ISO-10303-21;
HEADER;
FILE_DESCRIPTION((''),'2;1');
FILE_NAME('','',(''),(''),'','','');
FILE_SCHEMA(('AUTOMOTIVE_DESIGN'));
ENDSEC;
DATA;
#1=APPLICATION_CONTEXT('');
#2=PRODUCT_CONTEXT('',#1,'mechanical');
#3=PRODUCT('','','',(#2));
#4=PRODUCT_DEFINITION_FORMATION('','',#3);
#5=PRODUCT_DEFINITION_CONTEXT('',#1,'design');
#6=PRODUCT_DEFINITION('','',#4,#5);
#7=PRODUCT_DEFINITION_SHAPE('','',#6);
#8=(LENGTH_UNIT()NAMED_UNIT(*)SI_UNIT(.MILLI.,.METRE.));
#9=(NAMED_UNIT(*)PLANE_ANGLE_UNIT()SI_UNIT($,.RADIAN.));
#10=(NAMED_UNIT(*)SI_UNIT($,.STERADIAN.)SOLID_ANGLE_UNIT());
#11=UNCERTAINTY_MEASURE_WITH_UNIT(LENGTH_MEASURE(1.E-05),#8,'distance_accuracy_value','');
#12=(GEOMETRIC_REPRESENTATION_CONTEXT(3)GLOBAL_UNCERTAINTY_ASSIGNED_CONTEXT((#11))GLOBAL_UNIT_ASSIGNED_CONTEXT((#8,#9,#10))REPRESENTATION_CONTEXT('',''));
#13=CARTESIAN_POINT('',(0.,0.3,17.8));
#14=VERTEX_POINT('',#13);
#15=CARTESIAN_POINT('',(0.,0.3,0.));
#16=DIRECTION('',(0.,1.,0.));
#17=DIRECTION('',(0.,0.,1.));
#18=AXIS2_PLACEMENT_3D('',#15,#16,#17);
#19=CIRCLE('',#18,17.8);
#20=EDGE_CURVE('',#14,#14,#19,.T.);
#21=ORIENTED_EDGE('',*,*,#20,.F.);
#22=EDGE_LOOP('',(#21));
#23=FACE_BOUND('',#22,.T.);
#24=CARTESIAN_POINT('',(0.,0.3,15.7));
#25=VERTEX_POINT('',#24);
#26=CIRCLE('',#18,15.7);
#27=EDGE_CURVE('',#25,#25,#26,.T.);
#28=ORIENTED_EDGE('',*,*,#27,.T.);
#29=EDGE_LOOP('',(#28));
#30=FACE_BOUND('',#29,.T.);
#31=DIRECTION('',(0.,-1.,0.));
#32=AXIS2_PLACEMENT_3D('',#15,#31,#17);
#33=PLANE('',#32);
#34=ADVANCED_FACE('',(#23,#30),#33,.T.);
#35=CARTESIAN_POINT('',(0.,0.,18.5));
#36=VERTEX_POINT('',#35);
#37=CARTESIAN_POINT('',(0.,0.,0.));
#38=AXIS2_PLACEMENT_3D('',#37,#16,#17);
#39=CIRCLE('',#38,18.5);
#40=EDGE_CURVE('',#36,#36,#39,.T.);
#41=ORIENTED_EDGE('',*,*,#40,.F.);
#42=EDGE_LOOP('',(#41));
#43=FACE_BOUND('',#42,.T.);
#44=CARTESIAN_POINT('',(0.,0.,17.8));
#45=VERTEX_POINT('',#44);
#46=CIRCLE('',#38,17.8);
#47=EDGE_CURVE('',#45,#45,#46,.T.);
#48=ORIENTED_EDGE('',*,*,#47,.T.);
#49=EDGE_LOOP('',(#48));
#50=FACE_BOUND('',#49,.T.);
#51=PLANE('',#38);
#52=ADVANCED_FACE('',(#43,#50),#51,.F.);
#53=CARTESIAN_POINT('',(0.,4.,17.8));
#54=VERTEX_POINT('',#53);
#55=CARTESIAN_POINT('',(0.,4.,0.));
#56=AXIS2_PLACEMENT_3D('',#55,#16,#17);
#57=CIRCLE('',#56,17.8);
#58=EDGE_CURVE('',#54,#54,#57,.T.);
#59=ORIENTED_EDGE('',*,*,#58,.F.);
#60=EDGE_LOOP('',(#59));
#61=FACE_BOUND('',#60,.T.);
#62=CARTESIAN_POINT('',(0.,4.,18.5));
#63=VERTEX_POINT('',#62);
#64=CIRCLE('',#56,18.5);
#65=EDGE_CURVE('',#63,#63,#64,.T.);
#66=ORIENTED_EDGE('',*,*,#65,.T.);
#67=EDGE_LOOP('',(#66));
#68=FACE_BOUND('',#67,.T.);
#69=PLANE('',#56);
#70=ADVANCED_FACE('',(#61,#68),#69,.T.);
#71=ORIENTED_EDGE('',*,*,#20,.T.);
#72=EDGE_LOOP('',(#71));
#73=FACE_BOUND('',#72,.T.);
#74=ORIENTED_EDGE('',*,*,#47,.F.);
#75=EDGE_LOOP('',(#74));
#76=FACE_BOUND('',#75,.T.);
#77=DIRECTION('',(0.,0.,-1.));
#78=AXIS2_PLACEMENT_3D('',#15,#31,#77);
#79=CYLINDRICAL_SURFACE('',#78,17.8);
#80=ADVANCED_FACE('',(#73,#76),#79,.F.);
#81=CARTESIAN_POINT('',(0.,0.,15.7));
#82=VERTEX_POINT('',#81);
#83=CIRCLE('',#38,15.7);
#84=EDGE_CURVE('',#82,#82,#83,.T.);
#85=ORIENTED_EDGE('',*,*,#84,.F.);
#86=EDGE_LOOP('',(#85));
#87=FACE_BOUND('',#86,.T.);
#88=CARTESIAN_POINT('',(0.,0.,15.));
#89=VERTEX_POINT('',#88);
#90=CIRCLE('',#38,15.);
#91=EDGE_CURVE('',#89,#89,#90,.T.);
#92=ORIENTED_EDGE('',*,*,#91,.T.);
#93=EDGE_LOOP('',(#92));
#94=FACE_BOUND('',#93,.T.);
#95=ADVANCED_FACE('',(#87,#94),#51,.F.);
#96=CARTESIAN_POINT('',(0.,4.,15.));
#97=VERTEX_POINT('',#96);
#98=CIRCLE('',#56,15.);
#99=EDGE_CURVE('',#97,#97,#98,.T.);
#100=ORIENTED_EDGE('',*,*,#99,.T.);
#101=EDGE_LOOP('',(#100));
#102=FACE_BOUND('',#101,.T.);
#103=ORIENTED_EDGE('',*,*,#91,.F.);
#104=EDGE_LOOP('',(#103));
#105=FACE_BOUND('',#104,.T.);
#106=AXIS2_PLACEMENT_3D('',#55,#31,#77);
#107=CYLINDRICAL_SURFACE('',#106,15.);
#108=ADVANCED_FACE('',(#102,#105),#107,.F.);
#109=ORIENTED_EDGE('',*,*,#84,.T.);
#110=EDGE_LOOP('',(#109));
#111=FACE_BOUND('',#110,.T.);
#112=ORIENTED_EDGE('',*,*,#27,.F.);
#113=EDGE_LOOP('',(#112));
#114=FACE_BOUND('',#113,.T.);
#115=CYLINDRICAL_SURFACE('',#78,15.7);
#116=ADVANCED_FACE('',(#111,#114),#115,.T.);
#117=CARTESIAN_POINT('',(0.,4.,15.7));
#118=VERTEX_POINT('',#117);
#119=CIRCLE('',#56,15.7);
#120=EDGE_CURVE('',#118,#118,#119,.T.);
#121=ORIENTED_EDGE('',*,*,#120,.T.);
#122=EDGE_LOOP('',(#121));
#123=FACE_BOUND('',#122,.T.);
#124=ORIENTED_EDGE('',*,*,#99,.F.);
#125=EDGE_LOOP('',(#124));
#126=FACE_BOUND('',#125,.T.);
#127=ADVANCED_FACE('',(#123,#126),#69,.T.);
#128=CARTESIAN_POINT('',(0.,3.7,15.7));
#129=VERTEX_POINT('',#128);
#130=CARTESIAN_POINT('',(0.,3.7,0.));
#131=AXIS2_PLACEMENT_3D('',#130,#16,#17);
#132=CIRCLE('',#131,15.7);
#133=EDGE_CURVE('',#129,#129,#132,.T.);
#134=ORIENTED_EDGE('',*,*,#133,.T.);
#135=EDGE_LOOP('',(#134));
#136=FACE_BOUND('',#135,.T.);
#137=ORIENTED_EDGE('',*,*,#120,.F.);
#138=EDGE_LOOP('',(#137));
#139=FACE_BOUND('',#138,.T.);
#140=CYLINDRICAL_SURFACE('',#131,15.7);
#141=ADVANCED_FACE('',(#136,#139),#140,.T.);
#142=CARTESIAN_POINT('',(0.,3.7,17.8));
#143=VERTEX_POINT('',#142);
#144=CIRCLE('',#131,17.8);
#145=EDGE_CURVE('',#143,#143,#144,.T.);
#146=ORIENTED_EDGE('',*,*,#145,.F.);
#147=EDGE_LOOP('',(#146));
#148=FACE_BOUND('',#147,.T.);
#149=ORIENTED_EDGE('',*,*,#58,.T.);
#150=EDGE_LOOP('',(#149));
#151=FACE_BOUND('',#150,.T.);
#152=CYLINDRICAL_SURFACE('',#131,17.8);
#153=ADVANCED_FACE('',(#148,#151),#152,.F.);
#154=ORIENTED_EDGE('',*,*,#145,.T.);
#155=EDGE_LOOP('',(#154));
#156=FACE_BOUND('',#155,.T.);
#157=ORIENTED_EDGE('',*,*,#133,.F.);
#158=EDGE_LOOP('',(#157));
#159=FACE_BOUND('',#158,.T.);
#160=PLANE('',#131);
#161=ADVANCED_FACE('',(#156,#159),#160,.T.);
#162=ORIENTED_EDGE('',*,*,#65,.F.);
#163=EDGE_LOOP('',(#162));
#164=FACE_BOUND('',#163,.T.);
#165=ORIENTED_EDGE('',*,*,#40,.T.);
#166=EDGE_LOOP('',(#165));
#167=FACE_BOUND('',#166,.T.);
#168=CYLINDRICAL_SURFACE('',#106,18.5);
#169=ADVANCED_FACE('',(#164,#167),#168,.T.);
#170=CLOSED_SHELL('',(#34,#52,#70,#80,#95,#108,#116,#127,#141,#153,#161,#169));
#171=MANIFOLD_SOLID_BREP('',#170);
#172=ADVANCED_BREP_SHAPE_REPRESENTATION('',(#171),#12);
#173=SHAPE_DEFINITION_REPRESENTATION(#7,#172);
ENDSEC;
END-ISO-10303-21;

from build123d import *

# Parameters (mm, degrees)
SKETCH_1_R          = 18.5
SKETCH_1_R_2        = 15
EXTRUDE_1_DEPTH     = 4
SKETCH_2_R          = 17.8
SKETCH_2_R_2        = 15.7
CUT_EXTRUDE_1_DEPTH = 0.3


with BuildPart() as part:
    # 草图1 → 凸台-拉伸1 (new body)
    with BuildSketch(Plane(origin=(0, 0, 0), x_dir=(1, 0, 0), z_dir=(0, 1, 0))):
        with Locations(Location((0, 0, 0), (0, 0, 270))):
            Circle(SKETCH_1_R)
        with Locations(Location((0, 0, 0), (0, 0, 270))):
            Circle(SKETCH_1_R_2, mode=Mode.SUBTRACT)
    extrude(amount=EXTRUDE_1_DEPTH)

    # 草图2 → 切除-拉伸1 (cut)
    with BuildSketch(Plane(origin=(0, 4, 0), x_dir=(1, 0, 0), z_dir=(0, 1, 0))):
        with Locations(Location((0, 0, 0), (0, 0, 270))):
            Circle(SKETCH_2_R)
        with Locations(Location((0, 0, 0), (0, 0, 270))):
            Circle(SKETCH_2_R_2, mode=Mode.SUBTRACT)
    cut_extrude_1 = extrude(amount=-CUT_EXTRUDE_1_DEPTH, mode=Mode.SUBTRACT)

    # 镜向1: 切除-拉伸1 across plane
    add(cut_extrude_1.mirror(Plane.ZX.offset(2)), mode=Mode.SUBTRACT)


solid = part.part
